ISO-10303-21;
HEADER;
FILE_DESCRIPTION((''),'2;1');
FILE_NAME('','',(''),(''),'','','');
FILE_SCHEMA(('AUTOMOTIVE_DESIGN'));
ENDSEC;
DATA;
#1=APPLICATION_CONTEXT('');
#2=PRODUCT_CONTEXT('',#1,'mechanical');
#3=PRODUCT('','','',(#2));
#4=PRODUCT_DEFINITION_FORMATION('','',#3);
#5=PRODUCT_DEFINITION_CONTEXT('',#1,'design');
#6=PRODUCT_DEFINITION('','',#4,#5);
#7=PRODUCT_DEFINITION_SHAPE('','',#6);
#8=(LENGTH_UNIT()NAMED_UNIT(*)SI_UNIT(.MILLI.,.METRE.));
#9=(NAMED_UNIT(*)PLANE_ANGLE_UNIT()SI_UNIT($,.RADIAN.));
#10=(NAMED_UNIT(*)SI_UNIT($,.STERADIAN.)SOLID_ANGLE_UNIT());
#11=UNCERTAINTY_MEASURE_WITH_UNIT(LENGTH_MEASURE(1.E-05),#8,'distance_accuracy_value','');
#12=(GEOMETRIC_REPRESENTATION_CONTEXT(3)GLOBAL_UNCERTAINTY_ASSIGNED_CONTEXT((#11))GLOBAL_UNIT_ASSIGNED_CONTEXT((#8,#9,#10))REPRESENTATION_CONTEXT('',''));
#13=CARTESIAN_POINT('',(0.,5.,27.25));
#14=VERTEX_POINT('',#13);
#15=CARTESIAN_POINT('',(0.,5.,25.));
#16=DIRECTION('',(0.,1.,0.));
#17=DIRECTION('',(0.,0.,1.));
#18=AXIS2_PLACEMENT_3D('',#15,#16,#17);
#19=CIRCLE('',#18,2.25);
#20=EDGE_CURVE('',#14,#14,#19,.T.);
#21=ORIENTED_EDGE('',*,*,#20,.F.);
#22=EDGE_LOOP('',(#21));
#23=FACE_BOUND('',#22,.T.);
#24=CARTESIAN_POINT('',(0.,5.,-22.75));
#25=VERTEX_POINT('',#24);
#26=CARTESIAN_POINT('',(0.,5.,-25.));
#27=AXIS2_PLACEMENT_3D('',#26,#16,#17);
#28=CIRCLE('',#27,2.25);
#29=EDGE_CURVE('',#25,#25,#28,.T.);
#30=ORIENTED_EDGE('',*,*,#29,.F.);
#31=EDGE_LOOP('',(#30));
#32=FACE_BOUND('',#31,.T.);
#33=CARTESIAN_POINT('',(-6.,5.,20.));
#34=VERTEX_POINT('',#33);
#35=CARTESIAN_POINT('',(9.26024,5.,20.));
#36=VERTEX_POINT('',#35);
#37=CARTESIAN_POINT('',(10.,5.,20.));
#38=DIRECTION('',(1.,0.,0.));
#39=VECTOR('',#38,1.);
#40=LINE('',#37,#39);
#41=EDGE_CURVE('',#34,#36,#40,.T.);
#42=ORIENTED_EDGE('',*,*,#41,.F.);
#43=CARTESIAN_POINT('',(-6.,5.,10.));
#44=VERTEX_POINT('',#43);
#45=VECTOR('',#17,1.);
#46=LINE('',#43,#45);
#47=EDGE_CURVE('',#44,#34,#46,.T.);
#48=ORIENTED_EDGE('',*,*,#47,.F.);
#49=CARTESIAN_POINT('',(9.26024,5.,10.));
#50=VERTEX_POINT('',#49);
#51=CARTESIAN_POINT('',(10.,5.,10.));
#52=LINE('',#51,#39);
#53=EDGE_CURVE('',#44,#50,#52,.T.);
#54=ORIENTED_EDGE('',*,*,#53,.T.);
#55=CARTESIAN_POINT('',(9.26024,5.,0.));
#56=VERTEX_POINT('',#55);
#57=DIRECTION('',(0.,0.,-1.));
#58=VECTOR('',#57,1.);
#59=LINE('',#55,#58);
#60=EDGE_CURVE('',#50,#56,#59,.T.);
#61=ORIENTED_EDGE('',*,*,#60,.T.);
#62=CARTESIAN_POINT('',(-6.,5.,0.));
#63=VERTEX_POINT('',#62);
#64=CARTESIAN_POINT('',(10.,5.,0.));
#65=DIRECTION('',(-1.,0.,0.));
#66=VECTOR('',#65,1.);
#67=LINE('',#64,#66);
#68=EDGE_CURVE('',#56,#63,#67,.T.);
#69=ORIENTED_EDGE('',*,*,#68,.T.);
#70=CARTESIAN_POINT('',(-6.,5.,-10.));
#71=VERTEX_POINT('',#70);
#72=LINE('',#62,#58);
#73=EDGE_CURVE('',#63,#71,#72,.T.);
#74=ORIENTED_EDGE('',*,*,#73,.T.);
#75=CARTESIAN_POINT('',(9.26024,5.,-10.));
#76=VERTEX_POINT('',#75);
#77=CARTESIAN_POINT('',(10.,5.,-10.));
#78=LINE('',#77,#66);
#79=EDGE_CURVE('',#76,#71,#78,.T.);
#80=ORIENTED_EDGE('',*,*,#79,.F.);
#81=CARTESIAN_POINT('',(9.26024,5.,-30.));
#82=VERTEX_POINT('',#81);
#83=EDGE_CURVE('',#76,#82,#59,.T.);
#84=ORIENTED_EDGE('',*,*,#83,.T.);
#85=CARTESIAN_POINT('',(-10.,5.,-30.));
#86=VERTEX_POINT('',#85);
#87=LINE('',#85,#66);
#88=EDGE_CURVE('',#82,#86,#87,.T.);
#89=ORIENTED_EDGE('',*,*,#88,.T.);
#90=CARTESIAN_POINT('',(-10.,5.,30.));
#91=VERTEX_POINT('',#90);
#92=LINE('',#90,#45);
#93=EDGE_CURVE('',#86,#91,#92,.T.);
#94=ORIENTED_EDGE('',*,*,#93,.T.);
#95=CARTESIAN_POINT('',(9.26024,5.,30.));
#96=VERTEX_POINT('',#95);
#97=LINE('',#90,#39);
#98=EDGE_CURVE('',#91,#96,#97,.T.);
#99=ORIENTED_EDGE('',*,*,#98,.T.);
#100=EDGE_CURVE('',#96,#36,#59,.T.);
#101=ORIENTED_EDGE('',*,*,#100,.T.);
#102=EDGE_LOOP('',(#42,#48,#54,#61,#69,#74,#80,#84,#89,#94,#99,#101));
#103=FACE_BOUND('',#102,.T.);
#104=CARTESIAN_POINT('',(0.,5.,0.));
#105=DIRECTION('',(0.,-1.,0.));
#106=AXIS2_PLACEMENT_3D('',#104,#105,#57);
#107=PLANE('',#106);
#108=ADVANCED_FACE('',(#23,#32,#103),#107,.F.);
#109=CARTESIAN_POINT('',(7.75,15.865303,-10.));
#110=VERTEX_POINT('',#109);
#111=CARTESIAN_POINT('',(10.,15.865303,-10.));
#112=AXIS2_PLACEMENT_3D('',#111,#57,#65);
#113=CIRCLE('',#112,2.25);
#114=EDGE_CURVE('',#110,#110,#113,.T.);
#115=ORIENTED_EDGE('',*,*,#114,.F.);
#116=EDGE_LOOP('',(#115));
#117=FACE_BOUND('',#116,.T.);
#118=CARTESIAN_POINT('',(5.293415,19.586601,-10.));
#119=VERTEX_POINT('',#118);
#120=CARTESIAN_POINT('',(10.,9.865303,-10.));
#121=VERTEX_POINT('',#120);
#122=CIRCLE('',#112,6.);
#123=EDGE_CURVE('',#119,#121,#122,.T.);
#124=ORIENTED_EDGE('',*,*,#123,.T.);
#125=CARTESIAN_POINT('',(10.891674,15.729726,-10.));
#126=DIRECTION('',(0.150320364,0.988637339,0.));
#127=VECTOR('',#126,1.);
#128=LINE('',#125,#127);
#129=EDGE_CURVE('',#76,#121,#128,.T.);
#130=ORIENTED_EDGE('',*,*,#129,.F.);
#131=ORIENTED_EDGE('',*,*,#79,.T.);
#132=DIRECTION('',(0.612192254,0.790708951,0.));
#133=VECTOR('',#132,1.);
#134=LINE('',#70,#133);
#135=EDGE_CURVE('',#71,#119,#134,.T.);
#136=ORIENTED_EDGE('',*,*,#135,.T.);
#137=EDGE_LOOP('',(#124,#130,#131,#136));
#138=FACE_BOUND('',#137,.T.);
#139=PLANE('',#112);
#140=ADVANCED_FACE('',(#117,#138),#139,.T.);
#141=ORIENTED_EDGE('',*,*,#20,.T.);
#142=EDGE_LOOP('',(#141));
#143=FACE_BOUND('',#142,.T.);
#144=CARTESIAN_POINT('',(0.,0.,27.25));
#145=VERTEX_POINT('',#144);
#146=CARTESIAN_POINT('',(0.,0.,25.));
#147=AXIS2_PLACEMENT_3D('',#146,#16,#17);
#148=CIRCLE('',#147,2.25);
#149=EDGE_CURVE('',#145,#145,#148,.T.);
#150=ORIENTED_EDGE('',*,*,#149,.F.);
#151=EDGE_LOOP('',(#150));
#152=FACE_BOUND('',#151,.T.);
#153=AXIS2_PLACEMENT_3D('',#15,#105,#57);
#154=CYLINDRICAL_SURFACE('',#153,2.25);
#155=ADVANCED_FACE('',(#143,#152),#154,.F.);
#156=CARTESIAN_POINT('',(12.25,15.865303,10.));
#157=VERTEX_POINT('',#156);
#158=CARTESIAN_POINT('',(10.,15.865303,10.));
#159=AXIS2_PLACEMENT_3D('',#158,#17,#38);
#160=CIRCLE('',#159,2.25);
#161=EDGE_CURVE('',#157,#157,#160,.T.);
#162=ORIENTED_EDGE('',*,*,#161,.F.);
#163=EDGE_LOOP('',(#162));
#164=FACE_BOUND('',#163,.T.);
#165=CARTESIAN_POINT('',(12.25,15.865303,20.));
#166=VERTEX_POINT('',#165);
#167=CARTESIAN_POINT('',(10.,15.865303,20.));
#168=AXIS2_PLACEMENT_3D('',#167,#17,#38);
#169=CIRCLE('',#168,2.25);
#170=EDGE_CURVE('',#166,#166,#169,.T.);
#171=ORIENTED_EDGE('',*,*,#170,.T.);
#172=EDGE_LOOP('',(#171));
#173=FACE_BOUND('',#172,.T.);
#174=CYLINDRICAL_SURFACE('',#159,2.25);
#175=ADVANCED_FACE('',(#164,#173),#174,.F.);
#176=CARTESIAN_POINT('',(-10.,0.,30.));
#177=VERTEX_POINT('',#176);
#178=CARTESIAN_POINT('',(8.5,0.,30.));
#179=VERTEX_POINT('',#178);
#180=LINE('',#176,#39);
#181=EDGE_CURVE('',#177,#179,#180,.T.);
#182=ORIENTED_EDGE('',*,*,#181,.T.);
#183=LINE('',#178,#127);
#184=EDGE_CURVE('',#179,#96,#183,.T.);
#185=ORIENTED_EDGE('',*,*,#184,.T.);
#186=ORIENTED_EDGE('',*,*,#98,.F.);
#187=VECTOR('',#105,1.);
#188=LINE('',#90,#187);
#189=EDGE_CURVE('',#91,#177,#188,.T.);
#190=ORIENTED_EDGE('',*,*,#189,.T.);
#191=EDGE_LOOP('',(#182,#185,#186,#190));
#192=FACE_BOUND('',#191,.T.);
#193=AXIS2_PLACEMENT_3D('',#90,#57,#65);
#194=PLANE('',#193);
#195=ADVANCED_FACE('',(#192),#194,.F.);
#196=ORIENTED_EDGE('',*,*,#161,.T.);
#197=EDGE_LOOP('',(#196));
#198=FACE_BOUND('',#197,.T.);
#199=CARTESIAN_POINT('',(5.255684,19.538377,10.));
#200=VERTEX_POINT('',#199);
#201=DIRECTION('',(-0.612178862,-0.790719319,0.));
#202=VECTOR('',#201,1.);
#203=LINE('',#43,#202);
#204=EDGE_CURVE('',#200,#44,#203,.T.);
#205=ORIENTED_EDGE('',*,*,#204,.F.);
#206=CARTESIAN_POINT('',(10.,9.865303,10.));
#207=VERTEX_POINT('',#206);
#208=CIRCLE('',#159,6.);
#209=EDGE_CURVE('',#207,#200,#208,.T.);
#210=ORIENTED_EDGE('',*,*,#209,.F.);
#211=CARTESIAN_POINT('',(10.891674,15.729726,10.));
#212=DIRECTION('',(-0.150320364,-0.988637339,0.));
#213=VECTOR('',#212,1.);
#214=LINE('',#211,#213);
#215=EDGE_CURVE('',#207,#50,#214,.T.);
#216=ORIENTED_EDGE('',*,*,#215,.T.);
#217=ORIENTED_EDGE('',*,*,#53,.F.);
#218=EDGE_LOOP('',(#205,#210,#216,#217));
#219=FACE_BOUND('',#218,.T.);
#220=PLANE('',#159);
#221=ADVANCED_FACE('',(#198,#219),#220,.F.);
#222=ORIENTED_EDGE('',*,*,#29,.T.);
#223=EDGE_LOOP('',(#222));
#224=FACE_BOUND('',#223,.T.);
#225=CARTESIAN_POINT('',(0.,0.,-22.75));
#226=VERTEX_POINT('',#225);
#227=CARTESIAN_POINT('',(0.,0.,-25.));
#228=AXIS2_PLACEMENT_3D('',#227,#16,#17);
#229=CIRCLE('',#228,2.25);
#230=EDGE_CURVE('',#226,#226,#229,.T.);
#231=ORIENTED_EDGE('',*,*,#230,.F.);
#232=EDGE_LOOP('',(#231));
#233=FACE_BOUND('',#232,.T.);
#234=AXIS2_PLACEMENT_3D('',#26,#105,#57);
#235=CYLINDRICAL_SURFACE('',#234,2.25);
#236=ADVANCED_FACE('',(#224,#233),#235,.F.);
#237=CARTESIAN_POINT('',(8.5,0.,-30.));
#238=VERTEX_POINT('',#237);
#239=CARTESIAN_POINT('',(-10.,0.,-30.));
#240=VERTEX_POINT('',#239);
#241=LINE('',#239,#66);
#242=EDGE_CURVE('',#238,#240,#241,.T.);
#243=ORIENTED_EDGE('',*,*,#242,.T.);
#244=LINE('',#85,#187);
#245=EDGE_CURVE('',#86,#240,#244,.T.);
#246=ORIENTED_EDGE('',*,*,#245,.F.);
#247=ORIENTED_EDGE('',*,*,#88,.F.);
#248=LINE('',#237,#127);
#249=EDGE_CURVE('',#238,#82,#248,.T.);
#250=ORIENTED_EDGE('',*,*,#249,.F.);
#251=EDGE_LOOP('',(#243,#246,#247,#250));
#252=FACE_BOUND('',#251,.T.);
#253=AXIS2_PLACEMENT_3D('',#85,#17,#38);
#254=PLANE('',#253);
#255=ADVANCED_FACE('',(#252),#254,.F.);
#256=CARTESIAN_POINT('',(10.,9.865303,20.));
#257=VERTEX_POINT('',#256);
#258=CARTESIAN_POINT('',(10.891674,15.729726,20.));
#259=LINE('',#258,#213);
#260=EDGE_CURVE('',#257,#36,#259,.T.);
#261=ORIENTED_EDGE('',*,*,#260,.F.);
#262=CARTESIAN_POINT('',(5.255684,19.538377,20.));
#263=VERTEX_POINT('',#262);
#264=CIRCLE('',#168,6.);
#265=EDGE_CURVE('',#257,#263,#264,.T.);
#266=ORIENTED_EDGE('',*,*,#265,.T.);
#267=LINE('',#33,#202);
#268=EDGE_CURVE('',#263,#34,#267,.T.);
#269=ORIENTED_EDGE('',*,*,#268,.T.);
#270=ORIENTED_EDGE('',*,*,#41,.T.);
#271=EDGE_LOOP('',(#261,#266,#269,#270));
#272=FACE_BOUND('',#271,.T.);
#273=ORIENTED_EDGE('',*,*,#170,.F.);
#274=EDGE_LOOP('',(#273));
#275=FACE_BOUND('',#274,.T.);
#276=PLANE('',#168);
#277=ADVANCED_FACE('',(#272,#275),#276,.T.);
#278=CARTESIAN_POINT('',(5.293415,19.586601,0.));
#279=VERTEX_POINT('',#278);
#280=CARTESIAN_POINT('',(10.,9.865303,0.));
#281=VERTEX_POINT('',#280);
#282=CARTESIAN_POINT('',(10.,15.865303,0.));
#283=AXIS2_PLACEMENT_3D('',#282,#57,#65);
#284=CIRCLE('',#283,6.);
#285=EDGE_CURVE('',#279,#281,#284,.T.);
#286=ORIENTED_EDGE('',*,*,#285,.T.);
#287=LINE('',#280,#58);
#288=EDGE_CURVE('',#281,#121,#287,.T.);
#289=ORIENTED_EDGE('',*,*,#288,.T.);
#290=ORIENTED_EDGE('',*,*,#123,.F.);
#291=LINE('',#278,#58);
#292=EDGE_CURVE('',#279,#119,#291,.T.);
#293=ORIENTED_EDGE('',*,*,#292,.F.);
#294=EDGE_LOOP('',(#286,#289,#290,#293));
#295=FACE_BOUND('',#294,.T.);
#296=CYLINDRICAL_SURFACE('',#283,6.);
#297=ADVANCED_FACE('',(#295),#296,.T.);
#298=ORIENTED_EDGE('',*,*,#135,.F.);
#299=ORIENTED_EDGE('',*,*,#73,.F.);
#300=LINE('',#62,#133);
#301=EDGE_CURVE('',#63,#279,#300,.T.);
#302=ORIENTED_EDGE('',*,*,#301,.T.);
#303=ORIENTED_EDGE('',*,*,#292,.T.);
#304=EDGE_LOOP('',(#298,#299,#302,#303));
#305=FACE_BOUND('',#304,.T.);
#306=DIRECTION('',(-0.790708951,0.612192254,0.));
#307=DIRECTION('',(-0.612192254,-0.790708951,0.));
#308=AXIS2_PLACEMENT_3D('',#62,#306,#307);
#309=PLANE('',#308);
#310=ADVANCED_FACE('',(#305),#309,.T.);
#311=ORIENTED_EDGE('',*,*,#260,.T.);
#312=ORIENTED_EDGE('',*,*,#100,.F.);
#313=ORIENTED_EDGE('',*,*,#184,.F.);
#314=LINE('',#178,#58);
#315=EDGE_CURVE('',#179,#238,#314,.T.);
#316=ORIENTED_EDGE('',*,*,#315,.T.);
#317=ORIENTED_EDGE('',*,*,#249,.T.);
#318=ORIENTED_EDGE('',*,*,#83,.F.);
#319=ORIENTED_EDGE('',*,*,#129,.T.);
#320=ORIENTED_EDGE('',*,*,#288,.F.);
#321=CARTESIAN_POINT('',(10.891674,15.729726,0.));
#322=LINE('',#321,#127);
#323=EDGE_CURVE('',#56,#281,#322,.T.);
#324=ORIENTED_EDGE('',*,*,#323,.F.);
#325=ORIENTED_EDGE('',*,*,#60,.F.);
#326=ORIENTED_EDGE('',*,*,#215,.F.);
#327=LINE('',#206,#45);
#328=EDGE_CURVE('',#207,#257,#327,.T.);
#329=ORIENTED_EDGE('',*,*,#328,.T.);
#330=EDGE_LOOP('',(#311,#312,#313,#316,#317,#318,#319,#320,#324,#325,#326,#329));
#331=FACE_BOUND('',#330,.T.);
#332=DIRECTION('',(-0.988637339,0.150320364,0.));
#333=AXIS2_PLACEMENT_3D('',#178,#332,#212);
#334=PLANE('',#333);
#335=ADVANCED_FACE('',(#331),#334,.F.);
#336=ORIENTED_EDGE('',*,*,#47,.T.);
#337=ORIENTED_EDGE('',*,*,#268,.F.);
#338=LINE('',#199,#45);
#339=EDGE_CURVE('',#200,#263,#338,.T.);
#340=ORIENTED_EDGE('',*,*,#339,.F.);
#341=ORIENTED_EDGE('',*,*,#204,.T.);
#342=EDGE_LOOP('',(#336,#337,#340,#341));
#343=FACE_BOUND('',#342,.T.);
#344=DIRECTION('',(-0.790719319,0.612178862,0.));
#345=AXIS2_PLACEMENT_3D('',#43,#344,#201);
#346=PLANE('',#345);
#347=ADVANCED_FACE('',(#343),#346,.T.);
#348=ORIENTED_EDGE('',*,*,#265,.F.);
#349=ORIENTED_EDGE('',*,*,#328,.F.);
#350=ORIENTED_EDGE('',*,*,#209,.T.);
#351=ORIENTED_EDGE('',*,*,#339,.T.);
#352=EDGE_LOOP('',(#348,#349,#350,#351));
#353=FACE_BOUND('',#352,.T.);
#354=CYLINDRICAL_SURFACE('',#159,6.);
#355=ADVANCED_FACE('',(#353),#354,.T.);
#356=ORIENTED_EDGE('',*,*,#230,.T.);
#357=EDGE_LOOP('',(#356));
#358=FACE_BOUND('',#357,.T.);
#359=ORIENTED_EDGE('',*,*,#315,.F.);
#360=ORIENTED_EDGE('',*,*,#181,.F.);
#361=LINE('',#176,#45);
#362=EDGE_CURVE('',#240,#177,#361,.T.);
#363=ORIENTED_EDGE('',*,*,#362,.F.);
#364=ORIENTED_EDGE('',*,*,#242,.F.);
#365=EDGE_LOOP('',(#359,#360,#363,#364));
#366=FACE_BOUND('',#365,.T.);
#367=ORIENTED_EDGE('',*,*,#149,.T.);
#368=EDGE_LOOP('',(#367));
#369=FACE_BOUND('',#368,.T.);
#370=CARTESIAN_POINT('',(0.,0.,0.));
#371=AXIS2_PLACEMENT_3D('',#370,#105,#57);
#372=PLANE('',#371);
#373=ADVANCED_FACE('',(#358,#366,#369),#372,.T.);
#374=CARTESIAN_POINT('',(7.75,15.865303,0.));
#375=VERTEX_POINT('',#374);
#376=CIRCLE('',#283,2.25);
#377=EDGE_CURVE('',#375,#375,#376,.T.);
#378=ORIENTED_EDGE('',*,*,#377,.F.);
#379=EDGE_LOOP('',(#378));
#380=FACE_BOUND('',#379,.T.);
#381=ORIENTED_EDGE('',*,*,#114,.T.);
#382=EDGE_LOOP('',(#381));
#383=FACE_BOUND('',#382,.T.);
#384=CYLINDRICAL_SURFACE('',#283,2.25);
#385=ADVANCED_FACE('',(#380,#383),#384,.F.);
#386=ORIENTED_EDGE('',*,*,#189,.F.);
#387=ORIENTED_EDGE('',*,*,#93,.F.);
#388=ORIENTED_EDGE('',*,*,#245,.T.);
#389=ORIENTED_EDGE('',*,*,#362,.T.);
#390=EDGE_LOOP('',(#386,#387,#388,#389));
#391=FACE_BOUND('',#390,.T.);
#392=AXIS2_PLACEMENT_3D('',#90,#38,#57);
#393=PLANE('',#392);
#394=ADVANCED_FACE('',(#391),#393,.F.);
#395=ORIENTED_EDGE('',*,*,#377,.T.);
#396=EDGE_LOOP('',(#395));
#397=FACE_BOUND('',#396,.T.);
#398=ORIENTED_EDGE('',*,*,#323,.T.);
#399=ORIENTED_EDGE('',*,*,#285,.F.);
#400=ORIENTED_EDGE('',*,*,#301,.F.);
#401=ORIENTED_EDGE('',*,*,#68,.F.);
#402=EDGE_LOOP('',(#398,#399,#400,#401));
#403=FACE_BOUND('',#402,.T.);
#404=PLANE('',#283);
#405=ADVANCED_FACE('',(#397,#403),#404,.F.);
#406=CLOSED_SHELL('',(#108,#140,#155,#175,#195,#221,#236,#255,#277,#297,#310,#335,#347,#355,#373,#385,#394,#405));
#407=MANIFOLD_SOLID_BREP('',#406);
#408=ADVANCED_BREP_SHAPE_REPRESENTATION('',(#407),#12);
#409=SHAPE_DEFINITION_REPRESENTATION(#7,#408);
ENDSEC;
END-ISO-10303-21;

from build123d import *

# Parameters (mm, degrees)
SKETCH1_W           = 20
SKETCH1_H           = 60
SKETCH1_R           = 2.25
BOSS_EXTRUDE1_DEPTH = 5
SKETCH2_R           = 2.25
BOSS_EXTRUDE2_DEPTH = 10
SKETCH3_R           = 2.25
BOSS_EXTRUDE3_DEPTH = 10
CUT_EXTRUDE1_DEPTH  = 61


with BuildPart() as part:
    # Sketch1 → Boss-Extrude1 (new body)
    with BuildSketch(Plane(origin=(0, 0, 0), x_dir=(1, 0, 0), z_dir=(0, 1, 0))):
        Rectangle(SKETCH1_W, SKETCH1_H)
        with Locations((0, 25)):
            Circle(SKETCH1_R, mode=Mode.SUBTRACT)
        with Locations((0, -25)):
            Circle(SKETCH1_R, mode=Mode.SUBTRACT)
    extrude(amount=BOSS_EXTRUDE1_DEPTH)

    # Sketch2 → Boss-Extrude2 (add)
    with BuildSketch(Plane.XY.offset(20)):
        with BuildLine():
            Line((10, 9.86530346), (10, 5))
            Line((10, 5), (-6, 5))
            Line((-6, 5), (5.255684086, 19.53837663))
            ThreePointArc((5.255684086, 19.53837663), (15.386948998, 18.507420129), (10, 9.86530346))
        make_face()
        with Locations((10, 15.86530346)):
            Circle(SKETCH2_R, mode=Mode.SUBTRACT)
    extrude(amount=-BOSS_EXTRUDE2_DEPTH)

    # Sketch3 → Boss-Extrude3 (add)
    with BuildSketch(Plane(origin=(0, 0, -10), x_dir=(-1, 0, 0), z_dir=(0, 0, -1))):
        with BuildLine():
            Line((-10, 9.86530346), (-10, 5))
            Line((-10, 5), (6, 5))
            Line((6, 5), (-5.293415142, 19.586601483))
            ThreePointArc((-5.293415142, 19.586601483), (-15.40036055, 18.479898253), (-10, 9.86530346))
        make_face()
        with Locations((-10, 15.86530346)):
            Circle(SKETCH3_R, mode=Mode.SUBTRACT)
    extrude(amount=-BOSS_EXTRUDE3_DEPTH)

    # Sketch5 → Cut-Extrude1 (cut, through all)
    with BuildSketch(Plane(origin=(0, 0, -30), x_dir=(-1, 0, 0), z_dir=(0, 0, -1))):
        Polygon((-10, 9.86530346), (-10, 0), (-8.5, 0), align=None)
    extrude(amount=-CUT_EXTRUDE1_DEPTH, mode=Mode.SUBTRACT)


solid = part.part
